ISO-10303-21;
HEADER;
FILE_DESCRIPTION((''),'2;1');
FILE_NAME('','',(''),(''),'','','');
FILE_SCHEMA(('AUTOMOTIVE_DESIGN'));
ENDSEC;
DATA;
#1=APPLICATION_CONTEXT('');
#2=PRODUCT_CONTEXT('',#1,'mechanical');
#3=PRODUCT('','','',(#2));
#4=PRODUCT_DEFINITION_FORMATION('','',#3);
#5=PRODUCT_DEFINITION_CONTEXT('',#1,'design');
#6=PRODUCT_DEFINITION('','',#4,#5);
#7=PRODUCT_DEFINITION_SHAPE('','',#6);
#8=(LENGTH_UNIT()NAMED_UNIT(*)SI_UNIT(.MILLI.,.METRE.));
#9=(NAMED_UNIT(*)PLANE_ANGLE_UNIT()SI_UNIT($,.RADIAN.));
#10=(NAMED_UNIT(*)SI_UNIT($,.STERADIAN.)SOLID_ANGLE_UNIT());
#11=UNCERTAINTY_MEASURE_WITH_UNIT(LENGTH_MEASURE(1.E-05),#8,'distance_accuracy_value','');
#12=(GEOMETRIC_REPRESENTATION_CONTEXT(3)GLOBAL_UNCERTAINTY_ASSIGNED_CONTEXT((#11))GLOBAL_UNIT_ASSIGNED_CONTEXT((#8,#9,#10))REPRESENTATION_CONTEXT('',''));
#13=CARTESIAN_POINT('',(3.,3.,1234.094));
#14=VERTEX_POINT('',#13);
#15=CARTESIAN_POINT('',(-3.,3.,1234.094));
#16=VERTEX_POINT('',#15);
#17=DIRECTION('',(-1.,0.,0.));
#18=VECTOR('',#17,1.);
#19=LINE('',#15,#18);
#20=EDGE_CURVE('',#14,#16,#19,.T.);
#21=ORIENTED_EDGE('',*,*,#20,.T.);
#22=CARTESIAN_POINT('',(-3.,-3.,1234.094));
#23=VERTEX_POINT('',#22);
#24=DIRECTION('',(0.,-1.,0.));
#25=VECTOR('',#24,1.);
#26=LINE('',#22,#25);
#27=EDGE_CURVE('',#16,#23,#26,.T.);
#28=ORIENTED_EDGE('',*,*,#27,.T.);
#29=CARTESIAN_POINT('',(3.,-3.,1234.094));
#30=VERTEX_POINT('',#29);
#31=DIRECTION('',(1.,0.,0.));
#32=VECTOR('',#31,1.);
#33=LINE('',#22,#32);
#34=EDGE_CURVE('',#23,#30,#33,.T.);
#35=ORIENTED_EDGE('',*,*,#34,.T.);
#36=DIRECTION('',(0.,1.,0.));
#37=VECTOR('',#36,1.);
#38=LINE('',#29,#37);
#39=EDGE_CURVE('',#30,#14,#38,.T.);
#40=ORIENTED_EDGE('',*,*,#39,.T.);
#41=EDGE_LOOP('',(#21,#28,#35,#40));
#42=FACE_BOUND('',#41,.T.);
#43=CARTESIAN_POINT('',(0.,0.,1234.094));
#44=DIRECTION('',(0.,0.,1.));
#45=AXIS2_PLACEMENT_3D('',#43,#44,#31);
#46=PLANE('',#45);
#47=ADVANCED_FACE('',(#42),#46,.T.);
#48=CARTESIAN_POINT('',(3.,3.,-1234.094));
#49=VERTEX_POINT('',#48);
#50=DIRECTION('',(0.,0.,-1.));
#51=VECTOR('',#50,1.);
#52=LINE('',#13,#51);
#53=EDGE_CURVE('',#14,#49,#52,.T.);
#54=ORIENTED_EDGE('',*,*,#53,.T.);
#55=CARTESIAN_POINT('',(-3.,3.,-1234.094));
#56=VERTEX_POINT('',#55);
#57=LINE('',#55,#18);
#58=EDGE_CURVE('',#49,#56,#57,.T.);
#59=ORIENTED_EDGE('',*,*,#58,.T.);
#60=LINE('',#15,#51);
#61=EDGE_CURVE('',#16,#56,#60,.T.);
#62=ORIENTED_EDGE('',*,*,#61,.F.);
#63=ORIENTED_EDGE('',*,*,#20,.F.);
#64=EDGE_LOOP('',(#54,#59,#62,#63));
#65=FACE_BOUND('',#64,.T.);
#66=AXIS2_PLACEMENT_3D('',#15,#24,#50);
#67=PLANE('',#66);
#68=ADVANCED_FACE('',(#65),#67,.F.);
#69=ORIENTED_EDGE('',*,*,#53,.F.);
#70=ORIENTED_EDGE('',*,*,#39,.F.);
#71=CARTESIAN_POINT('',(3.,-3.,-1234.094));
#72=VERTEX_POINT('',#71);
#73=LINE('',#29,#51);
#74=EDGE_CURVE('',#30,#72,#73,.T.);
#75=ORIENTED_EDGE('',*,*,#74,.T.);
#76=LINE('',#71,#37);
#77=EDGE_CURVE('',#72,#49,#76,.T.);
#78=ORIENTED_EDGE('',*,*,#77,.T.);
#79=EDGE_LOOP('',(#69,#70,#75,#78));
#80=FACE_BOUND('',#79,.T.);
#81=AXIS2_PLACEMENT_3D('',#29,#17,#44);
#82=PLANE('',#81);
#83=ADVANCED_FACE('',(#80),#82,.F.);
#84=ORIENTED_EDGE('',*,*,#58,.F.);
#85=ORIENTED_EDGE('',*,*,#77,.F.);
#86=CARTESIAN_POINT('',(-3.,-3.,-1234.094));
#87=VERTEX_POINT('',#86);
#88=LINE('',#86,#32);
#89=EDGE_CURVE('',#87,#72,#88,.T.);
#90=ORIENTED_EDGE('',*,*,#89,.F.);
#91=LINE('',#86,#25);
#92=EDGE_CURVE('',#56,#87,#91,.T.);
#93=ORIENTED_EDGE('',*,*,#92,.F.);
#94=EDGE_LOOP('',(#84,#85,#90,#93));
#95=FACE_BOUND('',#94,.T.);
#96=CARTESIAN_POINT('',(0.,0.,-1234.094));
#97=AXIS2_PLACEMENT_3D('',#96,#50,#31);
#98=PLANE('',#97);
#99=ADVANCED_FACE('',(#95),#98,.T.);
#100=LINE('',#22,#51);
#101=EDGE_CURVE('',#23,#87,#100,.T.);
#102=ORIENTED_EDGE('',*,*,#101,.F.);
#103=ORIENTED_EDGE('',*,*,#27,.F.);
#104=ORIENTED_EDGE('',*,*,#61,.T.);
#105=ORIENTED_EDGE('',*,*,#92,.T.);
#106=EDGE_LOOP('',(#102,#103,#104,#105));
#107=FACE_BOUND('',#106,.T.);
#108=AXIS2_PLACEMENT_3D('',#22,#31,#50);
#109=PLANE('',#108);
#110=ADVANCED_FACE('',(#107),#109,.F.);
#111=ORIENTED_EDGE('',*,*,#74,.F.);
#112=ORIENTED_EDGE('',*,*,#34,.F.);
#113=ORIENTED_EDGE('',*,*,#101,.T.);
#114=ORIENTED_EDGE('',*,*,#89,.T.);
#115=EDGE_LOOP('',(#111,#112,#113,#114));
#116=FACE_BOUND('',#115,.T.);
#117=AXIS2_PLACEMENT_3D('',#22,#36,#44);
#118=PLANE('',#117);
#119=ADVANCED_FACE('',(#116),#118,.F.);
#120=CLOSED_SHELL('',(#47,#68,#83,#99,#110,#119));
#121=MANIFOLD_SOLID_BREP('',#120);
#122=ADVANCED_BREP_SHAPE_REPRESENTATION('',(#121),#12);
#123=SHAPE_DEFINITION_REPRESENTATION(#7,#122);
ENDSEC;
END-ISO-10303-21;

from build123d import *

# Parameters (mm, degrees)
SKETCH1_W           = 6
SKETCH1_H           = 6
BOSS_EXTRUDE1_DEPTH = 1234.094


with BuildPart() as part:
    # Sketch1 → Boss-Extrude1 (new body)
    with BuildSketch(Plane.XY):
        Rectangle(SKETCH1_W, SKETCH1_H)
    extrude(amount=BOSS_EXTRUDE1_DEPTH)

    # Mirror1: part across plane


with BuildPart() as part_1:
    add(part.part)
    add(part.part.mirror(Plane.XY))


solid = part_1.part
